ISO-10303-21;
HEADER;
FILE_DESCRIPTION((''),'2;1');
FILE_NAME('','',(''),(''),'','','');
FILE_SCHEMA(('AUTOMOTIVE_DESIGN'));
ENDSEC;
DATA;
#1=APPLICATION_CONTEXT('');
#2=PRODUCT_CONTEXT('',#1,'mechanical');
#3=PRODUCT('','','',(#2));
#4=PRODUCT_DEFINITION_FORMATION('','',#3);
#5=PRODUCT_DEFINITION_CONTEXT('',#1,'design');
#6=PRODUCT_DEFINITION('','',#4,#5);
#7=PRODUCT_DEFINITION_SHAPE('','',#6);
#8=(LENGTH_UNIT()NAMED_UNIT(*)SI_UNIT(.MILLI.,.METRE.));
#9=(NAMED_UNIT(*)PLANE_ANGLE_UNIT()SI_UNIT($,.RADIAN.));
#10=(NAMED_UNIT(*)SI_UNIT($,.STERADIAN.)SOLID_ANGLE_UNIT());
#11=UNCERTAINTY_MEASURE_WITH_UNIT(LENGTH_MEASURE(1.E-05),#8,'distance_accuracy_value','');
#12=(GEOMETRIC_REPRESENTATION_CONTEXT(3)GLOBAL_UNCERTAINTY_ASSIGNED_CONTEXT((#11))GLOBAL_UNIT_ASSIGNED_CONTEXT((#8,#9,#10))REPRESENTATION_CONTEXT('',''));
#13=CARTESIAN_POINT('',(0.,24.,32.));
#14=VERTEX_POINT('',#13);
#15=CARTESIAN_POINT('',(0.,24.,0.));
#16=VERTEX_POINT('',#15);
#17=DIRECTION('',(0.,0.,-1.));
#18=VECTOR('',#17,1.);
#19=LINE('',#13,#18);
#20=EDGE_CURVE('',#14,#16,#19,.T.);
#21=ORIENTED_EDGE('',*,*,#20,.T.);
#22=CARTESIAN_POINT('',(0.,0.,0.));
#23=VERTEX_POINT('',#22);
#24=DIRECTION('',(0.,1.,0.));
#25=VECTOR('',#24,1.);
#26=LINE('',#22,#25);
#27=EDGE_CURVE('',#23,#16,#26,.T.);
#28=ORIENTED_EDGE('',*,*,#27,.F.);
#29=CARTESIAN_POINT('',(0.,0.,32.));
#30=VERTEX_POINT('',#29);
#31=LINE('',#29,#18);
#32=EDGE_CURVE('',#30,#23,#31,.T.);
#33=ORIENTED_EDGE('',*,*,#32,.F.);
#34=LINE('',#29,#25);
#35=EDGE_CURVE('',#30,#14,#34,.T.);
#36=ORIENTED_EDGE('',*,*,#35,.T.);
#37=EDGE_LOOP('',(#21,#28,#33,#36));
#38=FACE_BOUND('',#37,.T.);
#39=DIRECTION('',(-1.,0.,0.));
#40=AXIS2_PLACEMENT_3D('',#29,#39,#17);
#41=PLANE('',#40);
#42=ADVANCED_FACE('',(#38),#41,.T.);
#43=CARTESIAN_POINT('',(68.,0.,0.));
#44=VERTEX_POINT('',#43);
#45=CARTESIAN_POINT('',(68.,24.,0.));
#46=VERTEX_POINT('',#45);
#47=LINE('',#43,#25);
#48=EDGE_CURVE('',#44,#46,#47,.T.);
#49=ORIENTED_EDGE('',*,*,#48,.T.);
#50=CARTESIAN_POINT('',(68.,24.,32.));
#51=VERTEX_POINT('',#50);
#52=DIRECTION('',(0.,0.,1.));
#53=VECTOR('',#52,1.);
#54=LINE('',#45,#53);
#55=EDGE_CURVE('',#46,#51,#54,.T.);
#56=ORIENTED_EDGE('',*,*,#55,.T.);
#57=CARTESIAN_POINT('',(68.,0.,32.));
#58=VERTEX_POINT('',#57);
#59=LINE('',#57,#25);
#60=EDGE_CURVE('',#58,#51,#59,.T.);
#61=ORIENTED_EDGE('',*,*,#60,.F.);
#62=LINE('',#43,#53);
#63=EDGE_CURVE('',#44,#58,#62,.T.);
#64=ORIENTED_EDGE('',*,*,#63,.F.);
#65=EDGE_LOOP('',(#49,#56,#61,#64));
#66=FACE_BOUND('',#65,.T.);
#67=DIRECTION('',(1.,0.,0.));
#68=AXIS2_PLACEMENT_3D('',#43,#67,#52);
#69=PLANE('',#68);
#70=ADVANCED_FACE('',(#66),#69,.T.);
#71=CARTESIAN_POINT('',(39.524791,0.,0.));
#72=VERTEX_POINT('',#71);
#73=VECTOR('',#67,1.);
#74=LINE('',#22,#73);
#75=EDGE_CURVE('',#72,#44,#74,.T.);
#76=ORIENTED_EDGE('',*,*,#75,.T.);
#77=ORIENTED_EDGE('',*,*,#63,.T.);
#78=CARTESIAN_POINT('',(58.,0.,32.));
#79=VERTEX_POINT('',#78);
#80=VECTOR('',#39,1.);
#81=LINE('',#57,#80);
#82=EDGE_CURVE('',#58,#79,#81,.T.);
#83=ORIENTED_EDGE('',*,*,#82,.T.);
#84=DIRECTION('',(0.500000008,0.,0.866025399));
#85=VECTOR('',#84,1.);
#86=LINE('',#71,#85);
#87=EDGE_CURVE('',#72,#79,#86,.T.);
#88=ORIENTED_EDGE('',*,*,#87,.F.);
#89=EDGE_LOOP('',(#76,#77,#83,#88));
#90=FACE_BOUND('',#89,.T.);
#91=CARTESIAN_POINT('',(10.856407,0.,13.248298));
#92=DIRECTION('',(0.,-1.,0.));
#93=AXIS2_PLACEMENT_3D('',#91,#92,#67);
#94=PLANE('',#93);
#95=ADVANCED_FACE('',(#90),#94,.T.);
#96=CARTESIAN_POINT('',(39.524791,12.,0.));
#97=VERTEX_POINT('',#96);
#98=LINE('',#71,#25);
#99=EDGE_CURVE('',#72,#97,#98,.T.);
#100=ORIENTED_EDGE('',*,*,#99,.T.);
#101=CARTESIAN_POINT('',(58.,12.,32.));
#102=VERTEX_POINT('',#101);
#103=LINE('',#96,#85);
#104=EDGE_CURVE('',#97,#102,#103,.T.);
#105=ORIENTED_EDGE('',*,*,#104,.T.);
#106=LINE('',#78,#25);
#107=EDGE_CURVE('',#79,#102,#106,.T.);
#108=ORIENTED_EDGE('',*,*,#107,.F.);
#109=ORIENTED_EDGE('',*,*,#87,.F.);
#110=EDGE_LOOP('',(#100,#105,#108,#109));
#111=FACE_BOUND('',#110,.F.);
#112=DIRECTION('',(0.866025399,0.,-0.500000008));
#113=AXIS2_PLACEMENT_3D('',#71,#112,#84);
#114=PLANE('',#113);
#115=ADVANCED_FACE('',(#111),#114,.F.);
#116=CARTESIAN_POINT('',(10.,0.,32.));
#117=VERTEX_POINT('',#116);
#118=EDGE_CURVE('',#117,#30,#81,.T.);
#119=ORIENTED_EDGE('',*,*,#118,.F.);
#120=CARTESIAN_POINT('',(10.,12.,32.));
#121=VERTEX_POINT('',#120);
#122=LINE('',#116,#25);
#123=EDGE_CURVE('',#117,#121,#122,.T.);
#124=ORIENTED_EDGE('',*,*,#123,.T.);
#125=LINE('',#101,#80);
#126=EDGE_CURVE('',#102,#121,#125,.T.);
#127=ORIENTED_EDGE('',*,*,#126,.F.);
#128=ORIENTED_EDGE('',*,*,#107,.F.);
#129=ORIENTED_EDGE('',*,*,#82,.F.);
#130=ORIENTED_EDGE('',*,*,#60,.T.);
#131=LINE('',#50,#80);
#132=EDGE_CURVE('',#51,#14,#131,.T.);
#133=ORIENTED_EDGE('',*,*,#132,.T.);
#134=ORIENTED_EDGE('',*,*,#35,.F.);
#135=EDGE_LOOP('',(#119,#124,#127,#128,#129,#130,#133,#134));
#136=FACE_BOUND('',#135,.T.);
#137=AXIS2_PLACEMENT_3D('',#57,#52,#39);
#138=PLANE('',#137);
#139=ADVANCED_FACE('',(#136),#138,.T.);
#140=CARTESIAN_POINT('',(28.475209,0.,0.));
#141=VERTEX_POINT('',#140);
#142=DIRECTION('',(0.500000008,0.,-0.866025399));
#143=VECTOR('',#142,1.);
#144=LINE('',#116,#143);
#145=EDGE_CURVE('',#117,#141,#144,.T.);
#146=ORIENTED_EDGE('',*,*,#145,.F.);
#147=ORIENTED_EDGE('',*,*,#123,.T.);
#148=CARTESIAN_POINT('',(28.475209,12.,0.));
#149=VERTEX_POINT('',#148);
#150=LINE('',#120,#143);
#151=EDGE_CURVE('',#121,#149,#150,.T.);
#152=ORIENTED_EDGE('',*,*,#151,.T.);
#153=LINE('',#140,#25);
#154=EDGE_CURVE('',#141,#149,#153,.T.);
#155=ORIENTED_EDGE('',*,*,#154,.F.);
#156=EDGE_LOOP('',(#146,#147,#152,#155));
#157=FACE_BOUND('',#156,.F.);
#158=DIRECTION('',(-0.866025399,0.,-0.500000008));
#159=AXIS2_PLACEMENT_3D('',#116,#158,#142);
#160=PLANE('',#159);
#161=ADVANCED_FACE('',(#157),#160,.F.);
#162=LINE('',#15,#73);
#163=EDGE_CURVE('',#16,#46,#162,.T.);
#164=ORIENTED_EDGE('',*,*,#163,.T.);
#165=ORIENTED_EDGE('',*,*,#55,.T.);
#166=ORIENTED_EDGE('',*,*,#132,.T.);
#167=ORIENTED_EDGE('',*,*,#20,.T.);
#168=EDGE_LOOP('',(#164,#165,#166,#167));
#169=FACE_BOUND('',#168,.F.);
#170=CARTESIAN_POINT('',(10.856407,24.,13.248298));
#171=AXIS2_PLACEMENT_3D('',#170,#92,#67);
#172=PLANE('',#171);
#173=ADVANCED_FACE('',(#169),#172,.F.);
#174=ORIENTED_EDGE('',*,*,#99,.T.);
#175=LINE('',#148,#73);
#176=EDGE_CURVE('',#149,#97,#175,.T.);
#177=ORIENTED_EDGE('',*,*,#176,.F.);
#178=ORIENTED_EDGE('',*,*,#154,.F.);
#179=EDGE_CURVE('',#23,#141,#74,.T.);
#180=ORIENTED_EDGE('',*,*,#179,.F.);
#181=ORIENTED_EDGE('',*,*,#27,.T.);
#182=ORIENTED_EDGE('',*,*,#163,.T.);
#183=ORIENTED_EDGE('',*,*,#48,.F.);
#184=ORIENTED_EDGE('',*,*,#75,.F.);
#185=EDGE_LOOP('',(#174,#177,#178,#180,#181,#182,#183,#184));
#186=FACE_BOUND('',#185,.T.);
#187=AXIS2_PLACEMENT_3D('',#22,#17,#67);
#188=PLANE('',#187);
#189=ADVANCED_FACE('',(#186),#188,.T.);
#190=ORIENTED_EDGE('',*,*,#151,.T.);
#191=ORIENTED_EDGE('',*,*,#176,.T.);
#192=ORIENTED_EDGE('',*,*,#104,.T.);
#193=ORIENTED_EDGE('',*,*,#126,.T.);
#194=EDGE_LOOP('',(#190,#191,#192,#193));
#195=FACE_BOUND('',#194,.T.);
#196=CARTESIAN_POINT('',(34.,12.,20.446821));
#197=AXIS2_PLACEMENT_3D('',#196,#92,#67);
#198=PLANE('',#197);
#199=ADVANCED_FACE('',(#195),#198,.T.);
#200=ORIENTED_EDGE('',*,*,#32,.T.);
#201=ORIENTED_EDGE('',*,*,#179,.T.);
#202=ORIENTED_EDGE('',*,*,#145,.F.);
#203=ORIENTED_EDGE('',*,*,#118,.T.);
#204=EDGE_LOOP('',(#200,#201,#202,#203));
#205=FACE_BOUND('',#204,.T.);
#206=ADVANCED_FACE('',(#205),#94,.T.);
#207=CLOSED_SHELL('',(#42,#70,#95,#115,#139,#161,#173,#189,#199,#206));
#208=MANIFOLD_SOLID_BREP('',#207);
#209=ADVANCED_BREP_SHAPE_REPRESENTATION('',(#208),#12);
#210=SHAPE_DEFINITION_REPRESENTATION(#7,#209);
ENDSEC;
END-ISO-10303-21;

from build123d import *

# Parameters (mm, degrees)
F1_DEPTH = 24
F2_DEPTH = 12


with BuildPart() as f1:
    # F0 (on Front) → F1 (new body)
    with BuildSketch(Plane.XZ):
        Polygon((0, 32), (0, 0), (28.475209, 0), (10, 32), align=None)
        Polygon((10, 32), (28.475209, 0), (39.524791, 0), (58, 32), align=None)
        Polygon((58, 32), (39.524791, 0), (68, 0), (68, 32), align=None)
    extrude(amount=-F1_DEPTH)

    # F0 (on Front) → F2 (cut)
    with BuildSketch(Plane.XZ):
        Polygon((10, 32), (28.475209, 0), (39.524791, 0), (58, 32), align=None)
    extrude(amount=-F2_DEPTH, mode=Mode.SUBTRACT)


solid = f1.part
